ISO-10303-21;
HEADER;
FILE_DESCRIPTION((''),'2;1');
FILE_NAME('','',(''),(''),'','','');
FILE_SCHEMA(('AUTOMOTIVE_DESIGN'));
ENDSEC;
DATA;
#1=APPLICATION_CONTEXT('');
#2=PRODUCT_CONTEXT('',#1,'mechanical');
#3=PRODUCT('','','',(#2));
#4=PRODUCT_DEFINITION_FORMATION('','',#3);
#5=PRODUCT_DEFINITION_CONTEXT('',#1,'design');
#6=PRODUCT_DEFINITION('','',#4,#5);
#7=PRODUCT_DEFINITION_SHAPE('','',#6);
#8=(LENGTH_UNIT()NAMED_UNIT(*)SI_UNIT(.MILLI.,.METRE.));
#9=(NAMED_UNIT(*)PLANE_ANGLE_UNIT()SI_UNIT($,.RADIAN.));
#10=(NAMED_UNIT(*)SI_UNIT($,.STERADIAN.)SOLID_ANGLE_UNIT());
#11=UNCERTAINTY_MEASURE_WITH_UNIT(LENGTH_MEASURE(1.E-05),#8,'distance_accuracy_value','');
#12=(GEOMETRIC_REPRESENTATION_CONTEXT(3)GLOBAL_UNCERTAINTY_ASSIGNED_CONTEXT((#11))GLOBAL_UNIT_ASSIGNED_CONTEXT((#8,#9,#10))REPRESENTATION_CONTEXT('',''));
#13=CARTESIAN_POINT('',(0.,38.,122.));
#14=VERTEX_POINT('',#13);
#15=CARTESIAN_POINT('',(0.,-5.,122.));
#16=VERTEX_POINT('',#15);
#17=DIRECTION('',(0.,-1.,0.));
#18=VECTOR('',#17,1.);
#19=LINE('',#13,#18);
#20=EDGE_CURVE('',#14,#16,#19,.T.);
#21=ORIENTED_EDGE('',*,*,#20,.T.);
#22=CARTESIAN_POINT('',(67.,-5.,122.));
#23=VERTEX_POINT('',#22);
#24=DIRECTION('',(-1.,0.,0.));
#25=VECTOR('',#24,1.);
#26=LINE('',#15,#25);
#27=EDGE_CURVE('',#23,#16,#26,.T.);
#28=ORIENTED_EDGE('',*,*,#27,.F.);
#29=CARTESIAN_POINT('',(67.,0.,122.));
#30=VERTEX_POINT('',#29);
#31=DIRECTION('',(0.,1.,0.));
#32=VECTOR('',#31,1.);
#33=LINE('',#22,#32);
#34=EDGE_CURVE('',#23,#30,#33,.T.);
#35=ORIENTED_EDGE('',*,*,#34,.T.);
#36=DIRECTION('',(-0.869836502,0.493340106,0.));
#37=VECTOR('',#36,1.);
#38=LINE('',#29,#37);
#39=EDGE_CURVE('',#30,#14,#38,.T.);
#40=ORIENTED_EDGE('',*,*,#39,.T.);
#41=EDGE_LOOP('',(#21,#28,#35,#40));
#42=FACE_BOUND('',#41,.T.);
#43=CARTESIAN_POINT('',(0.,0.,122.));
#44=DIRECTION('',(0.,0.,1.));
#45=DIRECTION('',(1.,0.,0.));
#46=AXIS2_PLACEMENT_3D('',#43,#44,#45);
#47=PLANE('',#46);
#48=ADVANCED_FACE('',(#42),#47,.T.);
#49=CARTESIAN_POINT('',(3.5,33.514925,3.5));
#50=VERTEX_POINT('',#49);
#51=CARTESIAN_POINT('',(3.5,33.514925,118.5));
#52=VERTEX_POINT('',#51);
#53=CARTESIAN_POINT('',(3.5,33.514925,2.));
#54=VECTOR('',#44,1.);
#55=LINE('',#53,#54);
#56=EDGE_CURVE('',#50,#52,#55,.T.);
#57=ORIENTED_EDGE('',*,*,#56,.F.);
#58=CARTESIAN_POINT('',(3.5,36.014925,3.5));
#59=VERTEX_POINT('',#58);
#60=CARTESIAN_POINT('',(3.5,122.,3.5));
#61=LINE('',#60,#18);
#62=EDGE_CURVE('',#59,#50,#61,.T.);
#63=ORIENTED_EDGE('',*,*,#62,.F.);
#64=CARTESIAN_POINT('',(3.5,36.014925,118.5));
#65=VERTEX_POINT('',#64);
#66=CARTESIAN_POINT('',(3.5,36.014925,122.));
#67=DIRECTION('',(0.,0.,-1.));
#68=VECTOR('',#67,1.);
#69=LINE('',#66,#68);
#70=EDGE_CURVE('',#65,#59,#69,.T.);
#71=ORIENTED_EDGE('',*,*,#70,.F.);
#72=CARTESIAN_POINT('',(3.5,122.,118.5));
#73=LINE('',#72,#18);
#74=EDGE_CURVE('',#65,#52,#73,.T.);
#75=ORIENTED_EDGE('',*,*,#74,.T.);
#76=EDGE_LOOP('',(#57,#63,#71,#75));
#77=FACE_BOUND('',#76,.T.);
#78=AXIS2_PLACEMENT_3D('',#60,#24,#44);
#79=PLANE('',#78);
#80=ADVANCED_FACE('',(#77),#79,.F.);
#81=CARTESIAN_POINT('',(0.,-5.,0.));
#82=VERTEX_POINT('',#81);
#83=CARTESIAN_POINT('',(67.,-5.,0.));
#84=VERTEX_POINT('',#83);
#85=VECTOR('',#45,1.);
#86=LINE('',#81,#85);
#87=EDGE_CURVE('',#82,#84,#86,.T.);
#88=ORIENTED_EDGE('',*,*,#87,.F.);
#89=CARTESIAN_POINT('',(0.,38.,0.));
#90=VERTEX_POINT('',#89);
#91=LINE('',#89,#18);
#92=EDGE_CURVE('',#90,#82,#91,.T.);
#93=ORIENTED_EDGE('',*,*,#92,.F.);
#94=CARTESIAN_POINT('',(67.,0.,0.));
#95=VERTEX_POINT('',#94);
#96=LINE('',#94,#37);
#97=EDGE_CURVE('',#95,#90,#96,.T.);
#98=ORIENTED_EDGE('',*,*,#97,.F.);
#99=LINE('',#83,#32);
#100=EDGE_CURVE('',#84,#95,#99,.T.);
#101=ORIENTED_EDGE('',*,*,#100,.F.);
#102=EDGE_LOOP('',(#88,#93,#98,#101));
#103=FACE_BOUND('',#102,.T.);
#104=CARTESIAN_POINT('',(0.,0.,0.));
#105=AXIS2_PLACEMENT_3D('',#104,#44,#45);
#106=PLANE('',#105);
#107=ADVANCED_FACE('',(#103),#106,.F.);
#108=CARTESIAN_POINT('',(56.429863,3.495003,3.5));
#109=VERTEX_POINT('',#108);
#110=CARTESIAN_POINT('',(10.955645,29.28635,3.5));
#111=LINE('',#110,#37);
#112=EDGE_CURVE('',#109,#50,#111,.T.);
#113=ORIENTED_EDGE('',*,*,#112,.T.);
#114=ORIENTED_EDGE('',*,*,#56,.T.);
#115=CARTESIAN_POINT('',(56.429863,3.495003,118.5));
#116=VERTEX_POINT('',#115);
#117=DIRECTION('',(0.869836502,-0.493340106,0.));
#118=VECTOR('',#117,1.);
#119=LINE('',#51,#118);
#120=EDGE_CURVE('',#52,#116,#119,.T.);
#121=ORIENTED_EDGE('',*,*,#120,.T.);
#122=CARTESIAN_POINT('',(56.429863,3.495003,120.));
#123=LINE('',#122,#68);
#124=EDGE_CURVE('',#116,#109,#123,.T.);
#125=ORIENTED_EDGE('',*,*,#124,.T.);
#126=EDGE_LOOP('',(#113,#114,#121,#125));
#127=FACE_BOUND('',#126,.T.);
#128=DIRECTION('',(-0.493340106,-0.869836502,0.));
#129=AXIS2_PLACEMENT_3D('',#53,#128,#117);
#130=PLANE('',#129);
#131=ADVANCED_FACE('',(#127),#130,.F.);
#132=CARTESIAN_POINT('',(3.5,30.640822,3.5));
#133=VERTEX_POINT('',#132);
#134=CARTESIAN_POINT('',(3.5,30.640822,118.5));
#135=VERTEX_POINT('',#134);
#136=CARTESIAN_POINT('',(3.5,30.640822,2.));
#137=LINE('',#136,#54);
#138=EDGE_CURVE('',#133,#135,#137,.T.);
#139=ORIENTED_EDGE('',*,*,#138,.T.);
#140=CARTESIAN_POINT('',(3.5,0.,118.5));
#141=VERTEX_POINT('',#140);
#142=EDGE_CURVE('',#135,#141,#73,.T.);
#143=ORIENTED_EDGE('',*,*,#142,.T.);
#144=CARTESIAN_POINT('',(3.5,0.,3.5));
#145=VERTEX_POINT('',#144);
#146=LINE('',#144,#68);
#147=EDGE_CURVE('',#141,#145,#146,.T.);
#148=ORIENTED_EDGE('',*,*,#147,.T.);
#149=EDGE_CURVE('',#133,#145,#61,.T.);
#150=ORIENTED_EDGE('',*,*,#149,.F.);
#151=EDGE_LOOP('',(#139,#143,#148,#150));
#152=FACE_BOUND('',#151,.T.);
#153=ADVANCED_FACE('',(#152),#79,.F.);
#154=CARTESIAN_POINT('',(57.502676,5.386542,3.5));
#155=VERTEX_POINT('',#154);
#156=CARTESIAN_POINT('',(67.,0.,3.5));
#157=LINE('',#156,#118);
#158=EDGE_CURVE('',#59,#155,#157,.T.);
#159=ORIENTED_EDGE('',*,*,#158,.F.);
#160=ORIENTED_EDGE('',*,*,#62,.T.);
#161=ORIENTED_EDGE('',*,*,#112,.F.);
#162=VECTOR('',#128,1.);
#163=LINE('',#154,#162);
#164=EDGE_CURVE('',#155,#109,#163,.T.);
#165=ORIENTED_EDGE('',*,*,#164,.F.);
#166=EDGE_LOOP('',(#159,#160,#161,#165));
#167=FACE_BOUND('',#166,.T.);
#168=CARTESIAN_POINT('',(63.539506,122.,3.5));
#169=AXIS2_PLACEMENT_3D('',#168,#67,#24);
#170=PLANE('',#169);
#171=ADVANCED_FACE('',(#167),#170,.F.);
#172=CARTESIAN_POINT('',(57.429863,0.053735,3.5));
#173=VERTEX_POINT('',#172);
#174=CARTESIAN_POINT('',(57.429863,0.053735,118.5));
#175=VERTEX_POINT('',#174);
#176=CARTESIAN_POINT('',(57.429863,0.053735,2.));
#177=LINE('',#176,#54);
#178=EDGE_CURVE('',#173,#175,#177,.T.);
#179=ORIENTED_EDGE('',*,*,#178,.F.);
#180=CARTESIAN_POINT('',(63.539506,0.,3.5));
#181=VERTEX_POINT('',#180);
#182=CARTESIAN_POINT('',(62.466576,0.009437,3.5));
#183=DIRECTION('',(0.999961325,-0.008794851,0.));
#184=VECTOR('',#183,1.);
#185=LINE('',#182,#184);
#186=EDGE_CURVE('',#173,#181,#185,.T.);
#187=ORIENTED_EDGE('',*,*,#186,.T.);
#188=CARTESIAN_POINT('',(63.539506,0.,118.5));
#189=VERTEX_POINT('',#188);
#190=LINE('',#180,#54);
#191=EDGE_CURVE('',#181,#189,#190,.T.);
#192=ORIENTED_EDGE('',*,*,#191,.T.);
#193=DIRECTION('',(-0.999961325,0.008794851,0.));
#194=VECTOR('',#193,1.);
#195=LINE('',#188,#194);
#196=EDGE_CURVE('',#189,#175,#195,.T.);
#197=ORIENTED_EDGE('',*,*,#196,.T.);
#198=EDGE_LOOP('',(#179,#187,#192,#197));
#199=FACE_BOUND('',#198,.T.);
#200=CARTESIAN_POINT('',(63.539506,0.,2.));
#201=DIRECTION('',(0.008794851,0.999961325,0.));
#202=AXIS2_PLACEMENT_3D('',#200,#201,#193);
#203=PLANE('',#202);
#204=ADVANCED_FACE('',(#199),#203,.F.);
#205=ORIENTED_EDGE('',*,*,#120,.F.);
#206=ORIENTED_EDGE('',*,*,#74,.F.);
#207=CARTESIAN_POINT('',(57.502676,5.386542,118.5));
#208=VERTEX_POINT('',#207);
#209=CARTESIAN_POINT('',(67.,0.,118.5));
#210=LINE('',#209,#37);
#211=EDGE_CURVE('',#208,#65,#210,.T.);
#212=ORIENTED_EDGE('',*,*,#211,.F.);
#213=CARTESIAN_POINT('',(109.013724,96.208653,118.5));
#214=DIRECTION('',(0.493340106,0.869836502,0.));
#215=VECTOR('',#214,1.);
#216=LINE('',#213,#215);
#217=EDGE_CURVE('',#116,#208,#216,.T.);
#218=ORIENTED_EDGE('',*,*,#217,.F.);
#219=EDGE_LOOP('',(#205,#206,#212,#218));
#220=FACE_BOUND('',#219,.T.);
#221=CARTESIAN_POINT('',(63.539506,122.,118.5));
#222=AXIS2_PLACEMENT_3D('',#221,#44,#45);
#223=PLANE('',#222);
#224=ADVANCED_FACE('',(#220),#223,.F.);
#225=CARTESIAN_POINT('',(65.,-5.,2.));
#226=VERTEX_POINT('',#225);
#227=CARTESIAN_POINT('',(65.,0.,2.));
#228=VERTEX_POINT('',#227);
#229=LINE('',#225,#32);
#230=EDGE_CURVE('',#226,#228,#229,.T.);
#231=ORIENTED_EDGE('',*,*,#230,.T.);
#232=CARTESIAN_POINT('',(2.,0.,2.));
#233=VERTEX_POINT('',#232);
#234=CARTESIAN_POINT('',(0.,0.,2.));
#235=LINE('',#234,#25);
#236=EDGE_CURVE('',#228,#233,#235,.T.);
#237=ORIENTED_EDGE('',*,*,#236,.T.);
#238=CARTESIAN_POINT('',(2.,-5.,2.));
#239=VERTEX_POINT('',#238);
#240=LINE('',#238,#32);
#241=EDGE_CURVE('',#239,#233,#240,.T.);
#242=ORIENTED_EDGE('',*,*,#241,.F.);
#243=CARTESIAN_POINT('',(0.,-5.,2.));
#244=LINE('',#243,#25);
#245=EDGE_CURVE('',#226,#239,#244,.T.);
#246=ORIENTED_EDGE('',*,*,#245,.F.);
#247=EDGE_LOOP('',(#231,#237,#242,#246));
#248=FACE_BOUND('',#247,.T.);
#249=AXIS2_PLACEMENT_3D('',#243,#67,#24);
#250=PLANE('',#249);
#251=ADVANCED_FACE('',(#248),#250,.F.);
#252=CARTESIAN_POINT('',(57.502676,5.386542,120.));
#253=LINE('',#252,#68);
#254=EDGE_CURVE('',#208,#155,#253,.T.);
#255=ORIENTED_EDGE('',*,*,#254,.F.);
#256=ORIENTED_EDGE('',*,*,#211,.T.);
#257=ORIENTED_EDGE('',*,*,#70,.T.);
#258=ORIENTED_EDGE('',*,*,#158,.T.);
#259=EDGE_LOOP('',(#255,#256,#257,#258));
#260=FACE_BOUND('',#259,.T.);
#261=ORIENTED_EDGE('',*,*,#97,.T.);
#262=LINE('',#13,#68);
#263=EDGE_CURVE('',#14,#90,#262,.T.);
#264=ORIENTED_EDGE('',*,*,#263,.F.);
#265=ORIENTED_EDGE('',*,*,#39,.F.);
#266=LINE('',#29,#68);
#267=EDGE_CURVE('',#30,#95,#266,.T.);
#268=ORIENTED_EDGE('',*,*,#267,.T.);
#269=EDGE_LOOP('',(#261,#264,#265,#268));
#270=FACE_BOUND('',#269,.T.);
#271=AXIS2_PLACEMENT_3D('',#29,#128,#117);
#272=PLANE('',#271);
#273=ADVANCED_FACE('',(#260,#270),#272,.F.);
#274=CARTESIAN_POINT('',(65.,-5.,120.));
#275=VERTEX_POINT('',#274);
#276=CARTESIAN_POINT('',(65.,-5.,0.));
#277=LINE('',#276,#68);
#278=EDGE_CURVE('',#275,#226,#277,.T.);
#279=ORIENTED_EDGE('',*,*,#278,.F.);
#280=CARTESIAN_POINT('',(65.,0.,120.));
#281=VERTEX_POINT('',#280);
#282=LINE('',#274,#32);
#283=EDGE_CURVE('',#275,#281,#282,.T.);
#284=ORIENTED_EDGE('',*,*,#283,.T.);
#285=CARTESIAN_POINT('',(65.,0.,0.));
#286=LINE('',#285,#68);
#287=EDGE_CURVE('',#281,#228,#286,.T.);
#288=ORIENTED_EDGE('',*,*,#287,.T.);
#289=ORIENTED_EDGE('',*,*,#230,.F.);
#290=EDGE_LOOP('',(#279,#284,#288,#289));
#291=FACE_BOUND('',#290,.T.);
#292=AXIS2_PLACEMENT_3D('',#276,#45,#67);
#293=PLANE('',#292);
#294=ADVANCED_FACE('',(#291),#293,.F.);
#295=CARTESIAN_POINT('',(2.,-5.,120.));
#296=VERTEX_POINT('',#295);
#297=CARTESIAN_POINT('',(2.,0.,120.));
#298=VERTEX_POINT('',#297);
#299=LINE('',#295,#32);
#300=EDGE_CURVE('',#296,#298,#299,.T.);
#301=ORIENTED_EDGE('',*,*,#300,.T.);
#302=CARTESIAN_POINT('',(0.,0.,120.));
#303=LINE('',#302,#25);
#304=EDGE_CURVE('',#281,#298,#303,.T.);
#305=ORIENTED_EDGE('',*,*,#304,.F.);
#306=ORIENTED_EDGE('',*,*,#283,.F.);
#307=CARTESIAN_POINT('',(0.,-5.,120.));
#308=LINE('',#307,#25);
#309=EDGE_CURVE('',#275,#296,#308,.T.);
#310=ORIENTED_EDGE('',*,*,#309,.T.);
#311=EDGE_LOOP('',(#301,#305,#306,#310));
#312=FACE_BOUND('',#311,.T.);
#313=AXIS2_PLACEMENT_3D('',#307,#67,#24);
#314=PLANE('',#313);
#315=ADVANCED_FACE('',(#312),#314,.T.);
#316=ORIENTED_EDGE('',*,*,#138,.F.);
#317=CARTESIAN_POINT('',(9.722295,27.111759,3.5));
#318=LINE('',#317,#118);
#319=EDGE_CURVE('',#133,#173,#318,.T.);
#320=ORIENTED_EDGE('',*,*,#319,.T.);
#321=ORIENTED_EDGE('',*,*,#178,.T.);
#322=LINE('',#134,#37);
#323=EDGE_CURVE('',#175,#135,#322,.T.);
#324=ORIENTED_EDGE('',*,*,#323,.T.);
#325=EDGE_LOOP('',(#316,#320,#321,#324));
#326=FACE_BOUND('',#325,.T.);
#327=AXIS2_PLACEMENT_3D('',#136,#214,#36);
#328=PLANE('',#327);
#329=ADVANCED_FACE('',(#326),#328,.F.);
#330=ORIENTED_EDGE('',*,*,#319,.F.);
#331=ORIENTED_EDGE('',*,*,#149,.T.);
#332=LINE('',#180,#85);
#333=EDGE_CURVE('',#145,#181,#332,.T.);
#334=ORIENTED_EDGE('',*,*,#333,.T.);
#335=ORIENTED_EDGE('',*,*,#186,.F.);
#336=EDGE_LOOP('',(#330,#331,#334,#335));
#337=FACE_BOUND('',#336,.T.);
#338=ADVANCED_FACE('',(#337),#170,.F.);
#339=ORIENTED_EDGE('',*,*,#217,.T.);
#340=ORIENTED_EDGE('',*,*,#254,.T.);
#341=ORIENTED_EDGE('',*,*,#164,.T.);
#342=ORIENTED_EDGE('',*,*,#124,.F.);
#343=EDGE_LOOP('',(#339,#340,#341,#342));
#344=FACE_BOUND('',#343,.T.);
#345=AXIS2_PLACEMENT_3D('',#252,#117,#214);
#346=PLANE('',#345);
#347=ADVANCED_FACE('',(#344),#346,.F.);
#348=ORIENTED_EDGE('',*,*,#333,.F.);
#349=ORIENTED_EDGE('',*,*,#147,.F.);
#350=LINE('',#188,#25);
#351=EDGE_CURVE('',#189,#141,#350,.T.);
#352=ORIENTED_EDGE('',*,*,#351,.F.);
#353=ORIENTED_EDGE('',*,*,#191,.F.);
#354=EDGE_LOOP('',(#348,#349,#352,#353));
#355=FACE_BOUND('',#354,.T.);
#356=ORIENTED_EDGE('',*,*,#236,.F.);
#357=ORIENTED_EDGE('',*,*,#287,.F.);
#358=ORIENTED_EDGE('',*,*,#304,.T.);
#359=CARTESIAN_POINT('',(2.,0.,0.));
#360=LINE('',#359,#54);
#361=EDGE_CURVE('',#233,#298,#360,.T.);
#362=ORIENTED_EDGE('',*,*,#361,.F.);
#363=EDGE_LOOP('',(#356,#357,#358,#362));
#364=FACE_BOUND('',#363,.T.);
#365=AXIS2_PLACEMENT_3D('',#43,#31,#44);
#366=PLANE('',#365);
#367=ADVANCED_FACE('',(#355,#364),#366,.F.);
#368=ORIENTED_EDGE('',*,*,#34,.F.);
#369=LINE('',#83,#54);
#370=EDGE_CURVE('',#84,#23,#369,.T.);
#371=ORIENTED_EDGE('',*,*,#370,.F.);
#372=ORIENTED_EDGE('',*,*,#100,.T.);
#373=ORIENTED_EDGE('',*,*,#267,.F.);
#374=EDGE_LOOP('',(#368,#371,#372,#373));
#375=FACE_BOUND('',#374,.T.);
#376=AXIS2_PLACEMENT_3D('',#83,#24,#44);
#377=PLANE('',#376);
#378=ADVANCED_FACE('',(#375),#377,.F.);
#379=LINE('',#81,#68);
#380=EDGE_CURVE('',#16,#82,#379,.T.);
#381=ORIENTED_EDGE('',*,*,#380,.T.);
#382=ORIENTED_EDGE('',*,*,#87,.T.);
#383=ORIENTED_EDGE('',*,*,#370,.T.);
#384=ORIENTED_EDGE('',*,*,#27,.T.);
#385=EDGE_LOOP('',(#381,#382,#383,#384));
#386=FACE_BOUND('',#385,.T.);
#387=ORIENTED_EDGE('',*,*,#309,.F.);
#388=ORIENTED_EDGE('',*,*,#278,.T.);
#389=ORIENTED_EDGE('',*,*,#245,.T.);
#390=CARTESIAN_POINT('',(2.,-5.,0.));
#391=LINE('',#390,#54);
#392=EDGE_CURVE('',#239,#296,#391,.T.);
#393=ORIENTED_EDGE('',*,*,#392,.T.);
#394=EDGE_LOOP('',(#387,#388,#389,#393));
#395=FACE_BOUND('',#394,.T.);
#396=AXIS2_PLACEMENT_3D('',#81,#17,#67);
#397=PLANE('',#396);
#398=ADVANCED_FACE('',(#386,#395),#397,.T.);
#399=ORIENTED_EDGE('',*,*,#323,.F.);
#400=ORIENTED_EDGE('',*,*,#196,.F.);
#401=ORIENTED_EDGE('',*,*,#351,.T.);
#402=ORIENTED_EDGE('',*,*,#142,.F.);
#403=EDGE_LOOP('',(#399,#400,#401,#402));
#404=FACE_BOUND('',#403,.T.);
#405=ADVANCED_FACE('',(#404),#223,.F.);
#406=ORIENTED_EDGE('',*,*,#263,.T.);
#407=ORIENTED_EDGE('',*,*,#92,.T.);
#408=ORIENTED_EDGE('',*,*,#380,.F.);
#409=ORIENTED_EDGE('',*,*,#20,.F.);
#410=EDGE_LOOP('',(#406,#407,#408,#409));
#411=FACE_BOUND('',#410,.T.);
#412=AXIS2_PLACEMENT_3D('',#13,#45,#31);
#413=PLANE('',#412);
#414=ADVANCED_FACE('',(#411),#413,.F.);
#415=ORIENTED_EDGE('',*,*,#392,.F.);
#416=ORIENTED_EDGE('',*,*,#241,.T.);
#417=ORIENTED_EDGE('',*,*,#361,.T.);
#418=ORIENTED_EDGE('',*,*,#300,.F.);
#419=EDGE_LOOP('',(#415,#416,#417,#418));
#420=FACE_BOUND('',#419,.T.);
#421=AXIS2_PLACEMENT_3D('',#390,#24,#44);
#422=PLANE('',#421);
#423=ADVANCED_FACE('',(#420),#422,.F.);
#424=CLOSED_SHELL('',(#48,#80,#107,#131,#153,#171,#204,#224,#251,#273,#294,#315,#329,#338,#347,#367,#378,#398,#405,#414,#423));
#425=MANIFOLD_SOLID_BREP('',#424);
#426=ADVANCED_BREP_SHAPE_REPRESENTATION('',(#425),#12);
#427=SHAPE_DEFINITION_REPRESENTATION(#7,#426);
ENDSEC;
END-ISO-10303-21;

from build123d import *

# Parameters (mm, degrees)
BOSS_EXTRUDE1_DEPTH = 122
SKETCH3_W           = 60.039506293
SKETCH3_H           = 115
CUT_EXTRUDE1_DEPTH  = 122
BOSS_EXTRUDE3_DEPTH = 116.5
BOSS_EXTRUDE4_DEPTH = 116.5
BOSS_EXTRUDE5_DEPTH = 116.5
SKETCH10_W          = 63
SKETCH10_H          = 2
BOSS_EXTRUDE6_DEPTH = 5


with BuildPart() as part:
    # Sketch1 → Boss-Extrude1 (new body)
    with BuildSketch(Plane.XY):
        Polygon((0, 0), (67, 0), (0, 38), align=None)
    extrude(amount=BOSS_EXTRUDE1_DEPTH)

    # Sketch3 → Cut-Extrude1 (cut)
    with BuildSketch(Plane.XZ):
        with Locations((33.519753147, 61)):
            Rectangle(SKETCH3_W, SKETCH3_H)
    extrude(amount=-CUT_EXTRUDE1_DEPTH, mode=Mode.SUBTRACT)

    # Sketch4 → Boss-Extrude3 (add)
    with BuildSketch(Plane(origin=(0, 0, 118.5), x_dir=(-1, 0, 0), z_dir=(0, 0, -1))):
        Polygon((-3.5, 33.514925373), (-3.5, 30.640822028), (-57.429863124, 0.05373548), (-57.429863124, 2.927838825), align=None)
    extrude(amount=BOSS_EXTRUDE3_DEPTH)

    # Sketch6 → Boss-Extrude4 (add)
    with BuildSketch(Plane(origin=(0, 0, 118.5), x_dir=(-1, 0, 0), z_dir=(0, 0, -1))):
        Polygon((-57.429863124, 2.927838825), (-58.502676203, 4.819377676), (-63.539506293, 1.962668073), (-63.539506293, 0), (-57.429863124, 0.05373548), align=None)
    extrude(amount=BOSS_EXTRUDE4_DEPTH)

    # Sketch9 → Boss-Extrude5 (add)
    with BuildSketch(Plane.XY.offset(3.5)):
        Polygon((58.502676203, 4.819377676), (57.502676203, 5.386541855), (56.429863124, 3.495003005), (57.429863124, 2.927838825), align=None)
    extrude(amount=BOSS_EXTRUDE5_DEPTH)

    # Sketch10 → Boss-Extrude6 (add)
    with BuildSketch(Plane.XZ):
        Polygon((0, 122), (0, 0), (2, 0), (2, 2), (2, 120), (2, 122), align=None)
        Polygon((67, 122), (2, 122), (2, 120), (65, 120), (67, 120), align=None)
        with Locations((33.5, 1)):
            Rectangle(SKETCH10_W, SKETCH10_H)
        Polygon((65, 2), (65, 0), (67, 0), (67, 120), (65, 120), align=None)
    extrude(amount=BOSS_EXTRUDE6_DEPTH)


solid = part.part
